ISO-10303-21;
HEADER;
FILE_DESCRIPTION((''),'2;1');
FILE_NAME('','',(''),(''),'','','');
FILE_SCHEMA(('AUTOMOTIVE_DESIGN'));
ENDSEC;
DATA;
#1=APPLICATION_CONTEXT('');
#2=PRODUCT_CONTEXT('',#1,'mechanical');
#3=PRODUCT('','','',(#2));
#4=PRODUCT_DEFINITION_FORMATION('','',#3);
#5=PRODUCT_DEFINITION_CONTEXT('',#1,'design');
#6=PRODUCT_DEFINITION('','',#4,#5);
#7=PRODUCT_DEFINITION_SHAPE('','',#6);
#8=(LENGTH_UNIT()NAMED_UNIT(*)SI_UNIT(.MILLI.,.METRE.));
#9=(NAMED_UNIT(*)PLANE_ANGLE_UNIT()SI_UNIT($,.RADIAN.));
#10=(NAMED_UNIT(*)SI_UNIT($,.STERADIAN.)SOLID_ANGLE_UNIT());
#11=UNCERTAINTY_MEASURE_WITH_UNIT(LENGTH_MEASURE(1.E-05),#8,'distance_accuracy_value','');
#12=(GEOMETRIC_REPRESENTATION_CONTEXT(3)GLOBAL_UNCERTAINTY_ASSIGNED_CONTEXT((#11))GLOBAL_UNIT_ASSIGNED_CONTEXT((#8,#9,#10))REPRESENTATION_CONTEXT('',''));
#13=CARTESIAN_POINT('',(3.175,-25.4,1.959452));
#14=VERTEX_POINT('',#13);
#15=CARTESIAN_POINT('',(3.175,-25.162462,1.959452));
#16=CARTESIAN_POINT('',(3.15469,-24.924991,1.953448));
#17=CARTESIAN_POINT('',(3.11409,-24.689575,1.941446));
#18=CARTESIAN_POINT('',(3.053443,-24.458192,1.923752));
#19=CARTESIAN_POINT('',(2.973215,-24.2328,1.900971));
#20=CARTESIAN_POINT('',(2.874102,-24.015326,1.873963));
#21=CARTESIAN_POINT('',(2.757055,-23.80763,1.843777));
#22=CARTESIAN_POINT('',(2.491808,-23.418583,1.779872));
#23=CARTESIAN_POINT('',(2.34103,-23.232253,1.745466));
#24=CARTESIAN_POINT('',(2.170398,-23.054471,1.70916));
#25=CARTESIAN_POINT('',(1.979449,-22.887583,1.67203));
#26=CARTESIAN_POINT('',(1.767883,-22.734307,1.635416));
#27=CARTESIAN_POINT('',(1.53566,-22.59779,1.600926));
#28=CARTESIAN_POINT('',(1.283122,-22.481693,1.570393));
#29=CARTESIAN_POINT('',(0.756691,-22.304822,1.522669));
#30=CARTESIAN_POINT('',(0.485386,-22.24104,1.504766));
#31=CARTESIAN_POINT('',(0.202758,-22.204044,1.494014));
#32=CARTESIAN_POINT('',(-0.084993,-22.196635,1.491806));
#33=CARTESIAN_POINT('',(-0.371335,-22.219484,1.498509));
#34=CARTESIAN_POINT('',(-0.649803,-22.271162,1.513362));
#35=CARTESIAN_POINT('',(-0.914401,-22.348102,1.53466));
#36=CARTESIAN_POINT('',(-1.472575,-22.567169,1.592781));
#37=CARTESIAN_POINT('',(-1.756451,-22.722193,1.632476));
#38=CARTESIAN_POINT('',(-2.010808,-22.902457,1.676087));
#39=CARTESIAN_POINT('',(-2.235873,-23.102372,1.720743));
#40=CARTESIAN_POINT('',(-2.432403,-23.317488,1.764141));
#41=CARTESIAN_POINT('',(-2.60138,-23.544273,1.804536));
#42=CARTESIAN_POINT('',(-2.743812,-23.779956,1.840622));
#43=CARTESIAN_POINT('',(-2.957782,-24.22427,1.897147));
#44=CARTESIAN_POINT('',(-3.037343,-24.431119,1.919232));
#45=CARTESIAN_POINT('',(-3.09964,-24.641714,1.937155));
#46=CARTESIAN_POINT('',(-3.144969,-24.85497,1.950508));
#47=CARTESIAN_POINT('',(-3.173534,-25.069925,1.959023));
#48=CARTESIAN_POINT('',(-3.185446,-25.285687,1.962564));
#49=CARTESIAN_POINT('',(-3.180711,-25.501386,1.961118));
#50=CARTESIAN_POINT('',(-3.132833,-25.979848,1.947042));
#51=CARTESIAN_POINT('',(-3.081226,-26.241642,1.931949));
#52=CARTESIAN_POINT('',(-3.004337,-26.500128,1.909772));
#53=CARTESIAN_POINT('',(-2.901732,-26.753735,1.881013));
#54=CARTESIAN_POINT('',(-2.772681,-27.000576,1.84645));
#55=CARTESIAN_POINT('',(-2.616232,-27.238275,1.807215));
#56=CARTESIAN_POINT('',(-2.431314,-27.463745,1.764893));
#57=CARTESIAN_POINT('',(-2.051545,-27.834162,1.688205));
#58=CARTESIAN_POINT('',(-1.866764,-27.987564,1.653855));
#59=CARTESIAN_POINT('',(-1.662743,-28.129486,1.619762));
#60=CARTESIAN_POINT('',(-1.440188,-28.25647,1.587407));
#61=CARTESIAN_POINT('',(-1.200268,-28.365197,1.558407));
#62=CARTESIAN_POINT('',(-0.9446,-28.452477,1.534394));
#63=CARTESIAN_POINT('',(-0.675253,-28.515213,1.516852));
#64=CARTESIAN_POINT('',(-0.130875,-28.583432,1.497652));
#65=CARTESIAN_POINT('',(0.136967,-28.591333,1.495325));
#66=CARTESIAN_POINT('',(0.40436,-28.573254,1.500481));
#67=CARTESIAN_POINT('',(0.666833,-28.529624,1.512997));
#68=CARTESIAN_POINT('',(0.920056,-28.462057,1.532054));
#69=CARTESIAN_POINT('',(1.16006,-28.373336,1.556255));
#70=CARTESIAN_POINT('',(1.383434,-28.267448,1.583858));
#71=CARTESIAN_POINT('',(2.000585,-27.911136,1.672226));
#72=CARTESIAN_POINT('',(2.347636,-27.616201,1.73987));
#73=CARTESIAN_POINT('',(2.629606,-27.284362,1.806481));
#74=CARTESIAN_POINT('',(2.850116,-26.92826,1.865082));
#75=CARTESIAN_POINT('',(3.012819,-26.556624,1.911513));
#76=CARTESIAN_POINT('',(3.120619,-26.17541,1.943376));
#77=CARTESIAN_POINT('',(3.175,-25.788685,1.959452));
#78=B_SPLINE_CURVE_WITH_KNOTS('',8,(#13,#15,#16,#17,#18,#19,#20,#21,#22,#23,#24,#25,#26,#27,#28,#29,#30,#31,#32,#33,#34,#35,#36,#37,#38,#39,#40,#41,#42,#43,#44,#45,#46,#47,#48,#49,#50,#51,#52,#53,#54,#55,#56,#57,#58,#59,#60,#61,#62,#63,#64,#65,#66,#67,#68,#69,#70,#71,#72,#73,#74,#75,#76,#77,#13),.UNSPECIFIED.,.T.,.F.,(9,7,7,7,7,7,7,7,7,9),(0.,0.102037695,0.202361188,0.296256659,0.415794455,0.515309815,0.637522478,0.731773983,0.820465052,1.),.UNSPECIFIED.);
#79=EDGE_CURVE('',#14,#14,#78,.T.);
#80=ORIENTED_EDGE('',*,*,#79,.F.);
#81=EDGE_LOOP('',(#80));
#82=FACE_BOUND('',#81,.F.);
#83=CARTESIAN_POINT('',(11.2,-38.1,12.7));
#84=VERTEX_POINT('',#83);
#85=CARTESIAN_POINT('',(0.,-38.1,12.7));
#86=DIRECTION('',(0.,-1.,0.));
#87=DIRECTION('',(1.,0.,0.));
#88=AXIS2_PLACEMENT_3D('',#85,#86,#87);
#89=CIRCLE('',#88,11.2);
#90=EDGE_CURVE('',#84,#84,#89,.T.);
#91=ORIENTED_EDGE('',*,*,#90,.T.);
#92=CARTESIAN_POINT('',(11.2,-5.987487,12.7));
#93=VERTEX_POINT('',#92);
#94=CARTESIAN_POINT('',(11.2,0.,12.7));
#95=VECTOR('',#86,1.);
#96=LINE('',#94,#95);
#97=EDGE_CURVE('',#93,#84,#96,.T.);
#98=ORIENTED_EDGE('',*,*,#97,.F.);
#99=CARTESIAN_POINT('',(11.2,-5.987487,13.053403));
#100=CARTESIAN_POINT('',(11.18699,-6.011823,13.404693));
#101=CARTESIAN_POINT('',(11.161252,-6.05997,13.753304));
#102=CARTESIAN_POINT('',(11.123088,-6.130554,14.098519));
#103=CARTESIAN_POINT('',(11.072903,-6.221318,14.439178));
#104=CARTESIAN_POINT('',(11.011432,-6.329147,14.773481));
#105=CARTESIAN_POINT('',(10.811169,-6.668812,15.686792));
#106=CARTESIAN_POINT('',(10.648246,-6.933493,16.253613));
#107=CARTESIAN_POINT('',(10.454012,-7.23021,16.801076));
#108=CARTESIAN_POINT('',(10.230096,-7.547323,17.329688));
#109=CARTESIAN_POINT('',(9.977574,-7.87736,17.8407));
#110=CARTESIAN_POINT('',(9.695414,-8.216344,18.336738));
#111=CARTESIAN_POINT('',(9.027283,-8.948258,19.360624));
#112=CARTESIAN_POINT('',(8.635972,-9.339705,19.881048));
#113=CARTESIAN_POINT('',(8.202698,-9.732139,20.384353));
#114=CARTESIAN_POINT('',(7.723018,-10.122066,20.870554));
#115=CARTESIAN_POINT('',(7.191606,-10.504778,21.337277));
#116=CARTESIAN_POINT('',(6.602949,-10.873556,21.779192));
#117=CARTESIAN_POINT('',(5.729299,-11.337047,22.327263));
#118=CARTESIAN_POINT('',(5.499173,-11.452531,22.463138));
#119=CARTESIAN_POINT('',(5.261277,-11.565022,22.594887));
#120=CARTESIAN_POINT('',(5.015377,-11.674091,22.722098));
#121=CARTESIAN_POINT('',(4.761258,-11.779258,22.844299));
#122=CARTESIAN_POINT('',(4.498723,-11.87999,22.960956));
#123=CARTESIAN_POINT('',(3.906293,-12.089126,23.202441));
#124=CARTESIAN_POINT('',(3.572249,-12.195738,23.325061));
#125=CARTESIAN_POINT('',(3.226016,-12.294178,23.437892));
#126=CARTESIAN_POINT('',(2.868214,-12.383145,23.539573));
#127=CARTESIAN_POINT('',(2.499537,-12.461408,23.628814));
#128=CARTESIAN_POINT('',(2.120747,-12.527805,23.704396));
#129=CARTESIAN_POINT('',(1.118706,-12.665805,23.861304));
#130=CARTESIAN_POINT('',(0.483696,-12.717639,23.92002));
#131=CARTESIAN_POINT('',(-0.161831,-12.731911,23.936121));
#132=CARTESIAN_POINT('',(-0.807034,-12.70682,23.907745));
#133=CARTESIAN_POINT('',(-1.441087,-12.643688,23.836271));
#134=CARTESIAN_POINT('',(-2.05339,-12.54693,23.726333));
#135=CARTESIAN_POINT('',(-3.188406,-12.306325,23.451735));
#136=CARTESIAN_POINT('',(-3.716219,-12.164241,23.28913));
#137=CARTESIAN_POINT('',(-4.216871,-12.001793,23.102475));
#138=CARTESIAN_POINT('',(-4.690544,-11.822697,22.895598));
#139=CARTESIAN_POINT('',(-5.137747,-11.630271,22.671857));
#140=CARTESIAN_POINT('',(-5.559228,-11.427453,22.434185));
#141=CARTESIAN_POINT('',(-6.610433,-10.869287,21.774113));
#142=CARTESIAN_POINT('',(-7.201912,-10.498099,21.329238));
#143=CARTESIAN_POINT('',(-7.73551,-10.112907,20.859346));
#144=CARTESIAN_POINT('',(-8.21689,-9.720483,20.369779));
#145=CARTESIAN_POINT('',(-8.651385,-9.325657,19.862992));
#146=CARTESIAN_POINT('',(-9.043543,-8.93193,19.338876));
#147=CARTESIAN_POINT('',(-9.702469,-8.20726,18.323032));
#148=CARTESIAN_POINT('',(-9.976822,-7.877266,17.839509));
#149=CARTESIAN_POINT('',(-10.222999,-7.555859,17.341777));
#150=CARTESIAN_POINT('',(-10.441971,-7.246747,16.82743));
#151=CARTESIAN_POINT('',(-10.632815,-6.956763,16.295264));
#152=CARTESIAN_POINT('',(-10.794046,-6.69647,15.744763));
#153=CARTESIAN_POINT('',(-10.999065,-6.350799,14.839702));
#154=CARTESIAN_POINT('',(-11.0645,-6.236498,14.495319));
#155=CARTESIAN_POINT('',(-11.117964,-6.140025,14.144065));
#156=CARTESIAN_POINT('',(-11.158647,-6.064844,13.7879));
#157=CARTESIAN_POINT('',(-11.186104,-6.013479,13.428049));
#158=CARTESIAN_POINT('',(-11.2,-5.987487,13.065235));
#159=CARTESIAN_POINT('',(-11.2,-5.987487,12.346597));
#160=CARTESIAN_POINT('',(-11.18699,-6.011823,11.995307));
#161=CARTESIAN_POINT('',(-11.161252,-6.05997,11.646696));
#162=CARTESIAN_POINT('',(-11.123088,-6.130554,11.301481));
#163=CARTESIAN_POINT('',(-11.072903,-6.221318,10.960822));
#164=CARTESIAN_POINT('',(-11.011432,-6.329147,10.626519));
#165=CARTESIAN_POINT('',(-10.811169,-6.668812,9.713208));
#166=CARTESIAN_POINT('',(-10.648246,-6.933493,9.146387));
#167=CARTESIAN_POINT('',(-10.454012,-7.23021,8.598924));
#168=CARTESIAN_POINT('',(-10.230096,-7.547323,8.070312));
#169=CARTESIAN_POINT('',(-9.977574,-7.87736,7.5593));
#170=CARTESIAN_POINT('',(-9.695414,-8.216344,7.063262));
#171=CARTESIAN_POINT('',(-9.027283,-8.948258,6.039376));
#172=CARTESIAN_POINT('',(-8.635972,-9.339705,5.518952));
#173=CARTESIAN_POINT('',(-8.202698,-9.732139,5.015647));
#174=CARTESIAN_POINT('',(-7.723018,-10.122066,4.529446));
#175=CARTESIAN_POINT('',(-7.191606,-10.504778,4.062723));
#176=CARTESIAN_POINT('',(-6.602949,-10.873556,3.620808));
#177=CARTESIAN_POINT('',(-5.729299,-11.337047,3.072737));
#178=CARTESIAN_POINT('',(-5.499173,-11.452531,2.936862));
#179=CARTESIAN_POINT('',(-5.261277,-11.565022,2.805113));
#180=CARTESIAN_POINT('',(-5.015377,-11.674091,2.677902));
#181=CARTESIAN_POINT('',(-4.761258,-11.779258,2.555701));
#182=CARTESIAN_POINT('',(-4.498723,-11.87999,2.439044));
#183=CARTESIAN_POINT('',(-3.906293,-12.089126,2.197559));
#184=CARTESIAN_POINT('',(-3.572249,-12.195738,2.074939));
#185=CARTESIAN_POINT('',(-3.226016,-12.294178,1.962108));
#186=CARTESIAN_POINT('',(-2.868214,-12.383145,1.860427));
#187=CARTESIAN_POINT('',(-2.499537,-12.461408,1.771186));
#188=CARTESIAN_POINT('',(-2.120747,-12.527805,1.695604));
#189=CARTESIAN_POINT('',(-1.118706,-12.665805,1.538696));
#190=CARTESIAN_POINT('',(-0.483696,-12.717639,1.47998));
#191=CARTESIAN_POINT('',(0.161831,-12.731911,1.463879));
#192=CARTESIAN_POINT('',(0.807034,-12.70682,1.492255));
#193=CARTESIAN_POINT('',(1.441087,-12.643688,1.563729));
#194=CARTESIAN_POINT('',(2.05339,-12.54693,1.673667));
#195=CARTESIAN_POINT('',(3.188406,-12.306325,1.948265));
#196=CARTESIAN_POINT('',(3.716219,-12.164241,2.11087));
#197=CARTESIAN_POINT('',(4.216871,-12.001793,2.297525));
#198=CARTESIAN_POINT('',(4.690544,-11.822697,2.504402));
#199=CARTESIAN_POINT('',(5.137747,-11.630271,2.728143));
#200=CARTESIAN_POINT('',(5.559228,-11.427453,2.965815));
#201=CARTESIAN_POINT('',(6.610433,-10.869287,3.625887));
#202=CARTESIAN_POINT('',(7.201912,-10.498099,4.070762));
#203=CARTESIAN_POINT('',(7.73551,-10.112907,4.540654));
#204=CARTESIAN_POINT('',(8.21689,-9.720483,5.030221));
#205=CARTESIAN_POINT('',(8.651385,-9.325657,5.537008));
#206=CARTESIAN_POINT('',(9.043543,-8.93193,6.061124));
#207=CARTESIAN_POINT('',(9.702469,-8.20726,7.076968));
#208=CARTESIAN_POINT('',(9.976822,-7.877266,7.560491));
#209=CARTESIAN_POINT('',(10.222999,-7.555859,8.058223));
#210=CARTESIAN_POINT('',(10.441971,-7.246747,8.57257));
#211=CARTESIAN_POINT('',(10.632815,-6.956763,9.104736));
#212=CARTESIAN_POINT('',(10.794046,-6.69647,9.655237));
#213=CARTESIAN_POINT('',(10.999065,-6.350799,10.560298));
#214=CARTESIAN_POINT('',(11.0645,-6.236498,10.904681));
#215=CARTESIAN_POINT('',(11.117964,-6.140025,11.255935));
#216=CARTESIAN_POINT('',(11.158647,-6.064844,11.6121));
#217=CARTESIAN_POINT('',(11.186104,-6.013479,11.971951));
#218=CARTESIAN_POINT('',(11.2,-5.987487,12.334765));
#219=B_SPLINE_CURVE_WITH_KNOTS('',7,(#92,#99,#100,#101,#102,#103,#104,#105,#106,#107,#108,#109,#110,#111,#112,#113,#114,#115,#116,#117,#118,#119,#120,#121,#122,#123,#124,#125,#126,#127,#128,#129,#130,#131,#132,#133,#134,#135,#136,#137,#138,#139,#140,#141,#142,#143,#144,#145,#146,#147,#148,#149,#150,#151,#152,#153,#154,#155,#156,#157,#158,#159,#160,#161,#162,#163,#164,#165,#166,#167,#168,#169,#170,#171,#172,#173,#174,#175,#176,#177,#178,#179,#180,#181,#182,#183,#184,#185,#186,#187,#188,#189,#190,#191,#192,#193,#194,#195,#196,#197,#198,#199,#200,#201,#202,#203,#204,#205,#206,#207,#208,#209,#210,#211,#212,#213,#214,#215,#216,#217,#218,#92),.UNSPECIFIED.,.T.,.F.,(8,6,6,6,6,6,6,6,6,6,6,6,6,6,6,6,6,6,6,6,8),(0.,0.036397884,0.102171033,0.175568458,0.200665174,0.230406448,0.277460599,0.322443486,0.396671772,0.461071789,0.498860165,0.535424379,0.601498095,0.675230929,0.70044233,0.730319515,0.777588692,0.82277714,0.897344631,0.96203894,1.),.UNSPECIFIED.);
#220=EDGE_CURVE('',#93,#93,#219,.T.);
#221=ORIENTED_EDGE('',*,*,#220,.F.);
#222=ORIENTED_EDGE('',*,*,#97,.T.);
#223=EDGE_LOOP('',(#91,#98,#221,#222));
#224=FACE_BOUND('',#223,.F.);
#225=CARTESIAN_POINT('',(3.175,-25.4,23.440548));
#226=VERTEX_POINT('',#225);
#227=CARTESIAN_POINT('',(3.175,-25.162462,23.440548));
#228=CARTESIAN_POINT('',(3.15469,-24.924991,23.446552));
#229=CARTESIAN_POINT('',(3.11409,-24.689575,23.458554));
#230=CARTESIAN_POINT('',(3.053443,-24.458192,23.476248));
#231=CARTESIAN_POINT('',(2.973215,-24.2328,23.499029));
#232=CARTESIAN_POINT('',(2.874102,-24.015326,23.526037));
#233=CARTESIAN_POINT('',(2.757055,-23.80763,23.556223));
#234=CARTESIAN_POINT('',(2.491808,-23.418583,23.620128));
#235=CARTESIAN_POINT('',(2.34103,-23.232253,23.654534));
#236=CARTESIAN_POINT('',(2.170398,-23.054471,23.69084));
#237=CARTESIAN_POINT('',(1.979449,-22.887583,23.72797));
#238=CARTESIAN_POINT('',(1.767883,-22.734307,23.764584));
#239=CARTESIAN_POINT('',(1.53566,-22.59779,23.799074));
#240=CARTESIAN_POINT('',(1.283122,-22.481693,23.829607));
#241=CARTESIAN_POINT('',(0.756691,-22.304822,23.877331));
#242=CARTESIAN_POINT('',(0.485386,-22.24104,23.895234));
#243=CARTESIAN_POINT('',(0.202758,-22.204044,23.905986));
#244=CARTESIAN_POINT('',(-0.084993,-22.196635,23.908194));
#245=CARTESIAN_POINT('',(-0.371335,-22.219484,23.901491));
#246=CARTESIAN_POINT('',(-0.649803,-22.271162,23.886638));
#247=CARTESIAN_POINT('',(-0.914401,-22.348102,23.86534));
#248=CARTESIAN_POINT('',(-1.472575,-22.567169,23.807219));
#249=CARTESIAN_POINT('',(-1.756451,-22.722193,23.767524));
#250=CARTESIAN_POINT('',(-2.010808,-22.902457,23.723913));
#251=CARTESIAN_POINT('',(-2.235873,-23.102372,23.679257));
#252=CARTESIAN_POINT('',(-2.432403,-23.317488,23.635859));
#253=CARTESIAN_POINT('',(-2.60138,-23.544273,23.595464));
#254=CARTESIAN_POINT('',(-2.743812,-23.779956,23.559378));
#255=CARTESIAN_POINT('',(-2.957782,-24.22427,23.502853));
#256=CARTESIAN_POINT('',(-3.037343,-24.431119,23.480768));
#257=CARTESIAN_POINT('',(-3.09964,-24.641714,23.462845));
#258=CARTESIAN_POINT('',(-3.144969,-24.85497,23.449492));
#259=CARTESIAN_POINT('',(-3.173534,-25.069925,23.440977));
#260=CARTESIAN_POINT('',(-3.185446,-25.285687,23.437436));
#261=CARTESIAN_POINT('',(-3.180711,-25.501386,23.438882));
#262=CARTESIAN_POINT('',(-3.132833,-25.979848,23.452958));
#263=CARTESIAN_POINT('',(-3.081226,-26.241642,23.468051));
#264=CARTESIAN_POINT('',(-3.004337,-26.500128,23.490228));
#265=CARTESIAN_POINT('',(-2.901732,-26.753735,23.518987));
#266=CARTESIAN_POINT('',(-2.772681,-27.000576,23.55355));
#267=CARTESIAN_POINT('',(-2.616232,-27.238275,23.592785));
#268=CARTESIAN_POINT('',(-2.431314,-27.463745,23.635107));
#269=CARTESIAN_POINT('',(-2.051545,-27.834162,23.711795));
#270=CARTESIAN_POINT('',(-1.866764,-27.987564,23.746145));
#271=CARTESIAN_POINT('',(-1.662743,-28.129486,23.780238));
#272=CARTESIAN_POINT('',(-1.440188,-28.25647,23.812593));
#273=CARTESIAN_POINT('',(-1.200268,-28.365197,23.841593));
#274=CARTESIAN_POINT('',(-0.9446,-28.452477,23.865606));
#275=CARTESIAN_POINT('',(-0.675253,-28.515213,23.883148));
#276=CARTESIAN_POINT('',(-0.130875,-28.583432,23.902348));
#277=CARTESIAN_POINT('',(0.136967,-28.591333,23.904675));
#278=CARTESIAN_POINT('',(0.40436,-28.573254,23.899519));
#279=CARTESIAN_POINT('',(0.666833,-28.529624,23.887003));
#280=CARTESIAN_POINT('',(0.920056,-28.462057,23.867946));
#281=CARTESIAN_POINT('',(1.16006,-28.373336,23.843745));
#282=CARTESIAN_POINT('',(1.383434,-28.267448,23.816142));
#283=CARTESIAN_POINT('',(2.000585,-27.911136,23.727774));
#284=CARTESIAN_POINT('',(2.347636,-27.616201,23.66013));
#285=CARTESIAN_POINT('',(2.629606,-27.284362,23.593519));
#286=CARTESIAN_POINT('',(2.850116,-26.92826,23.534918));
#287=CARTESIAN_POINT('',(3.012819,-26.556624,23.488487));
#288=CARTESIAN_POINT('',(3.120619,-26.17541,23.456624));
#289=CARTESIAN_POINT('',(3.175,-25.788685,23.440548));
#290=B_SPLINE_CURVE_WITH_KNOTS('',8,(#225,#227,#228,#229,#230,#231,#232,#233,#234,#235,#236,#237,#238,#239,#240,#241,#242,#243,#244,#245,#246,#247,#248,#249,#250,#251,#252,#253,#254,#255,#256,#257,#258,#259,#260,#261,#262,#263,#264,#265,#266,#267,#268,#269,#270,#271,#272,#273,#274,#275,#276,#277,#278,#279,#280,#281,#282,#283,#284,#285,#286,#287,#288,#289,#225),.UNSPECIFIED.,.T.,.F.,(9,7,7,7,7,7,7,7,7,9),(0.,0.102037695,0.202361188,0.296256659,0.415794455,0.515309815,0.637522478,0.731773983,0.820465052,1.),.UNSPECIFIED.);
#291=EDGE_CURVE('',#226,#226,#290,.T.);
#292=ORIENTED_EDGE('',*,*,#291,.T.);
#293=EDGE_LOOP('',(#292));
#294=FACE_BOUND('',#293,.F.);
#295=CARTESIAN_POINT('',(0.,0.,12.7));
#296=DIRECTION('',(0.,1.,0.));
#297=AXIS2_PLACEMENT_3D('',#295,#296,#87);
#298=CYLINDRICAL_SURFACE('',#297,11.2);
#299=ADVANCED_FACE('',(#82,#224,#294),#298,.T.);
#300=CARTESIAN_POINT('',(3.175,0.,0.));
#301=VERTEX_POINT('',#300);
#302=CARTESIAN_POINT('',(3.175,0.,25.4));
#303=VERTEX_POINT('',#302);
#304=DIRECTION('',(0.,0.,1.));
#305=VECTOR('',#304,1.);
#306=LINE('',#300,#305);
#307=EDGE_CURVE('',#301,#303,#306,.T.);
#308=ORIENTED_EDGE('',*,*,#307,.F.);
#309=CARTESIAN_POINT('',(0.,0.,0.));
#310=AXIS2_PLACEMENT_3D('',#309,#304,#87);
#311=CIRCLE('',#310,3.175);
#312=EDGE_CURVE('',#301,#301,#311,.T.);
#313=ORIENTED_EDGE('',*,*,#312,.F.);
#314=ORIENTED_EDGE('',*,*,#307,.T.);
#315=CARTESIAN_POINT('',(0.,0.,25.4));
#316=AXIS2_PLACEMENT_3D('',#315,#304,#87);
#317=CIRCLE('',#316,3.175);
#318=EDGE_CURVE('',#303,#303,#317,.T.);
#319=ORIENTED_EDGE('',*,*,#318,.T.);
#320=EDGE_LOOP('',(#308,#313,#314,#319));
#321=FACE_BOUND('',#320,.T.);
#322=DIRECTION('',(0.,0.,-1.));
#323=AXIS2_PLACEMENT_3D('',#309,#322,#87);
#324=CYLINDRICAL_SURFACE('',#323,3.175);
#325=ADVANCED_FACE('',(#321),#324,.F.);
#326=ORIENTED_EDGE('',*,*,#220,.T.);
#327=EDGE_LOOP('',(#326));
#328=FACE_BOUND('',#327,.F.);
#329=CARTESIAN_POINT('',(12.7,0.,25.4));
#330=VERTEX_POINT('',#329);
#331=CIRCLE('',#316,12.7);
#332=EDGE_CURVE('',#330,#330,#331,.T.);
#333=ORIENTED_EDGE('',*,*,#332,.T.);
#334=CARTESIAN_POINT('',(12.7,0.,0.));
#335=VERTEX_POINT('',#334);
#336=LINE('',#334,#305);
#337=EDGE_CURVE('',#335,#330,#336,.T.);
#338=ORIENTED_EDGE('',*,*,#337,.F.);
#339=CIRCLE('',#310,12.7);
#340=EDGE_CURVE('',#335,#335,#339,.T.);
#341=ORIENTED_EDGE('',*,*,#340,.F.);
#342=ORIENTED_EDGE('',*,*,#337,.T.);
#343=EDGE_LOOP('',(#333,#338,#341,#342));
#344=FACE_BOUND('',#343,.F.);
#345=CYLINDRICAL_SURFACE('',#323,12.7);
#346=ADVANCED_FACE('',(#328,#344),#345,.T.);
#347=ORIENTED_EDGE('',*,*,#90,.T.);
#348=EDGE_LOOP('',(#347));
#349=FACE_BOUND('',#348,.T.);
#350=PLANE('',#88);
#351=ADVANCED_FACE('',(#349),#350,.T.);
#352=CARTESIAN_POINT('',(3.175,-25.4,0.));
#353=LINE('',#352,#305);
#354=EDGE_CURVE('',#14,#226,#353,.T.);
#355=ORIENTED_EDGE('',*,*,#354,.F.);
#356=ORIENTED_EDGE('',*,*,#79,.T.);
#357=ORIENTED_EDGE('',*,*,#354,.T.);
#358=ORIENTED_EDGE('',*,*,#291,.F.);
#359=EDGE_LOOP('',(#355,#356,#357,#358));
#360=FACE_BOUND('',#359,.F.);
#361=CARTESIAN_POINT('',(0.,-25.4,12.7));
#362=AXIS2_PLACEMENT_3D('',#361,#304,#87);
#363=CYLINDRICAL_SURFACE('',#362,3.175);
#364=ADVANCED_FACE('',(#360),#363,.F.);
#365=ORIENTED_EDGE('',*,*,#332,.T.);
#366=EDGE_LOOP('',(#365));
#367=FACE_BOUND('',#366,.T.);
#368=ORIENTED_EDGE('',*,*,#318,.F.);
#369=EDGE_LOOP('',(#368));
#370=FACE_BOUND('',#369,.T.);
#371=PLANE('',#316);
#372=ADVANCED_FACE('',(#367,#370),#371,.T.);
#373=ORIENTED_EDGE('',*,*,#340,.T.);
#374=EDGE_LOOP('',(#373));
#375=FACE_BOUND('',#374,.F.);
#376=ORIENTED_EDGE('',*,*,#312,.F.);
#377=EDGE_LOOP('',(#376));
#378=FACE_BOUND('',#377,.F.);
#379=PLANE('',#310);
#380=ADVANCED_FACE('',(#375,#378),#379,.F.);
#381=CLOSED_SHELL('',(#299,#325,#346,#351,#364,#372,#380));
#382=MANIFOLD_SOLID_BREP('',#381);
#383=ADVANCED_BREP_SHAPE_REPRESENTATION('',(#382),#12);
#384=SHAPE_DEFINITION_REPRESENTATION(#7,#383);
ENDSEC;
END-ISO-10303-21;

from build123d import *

# Parameters (mm, degrees)
F0_R          = 12.7
F1_DEPTH      = 25.4
F2_R          = 11.2
F3_DEPTH      = 38.1
F4_R          = 3.175
F5_DEPTH      = 25.4
F5_DEPTH_BACK = 25.4
F7_R          = 3.175
F8_DEPTH      = 12.7


with BuildPart() as f1:
    # F0 (on Top) → F1 (new body)
    with BuildSketch(Plane.XY):
        Circle(F0_R)
    extrude(amount=F1_DEPTH)

    # F2 (on Front) → F3 (join)
    with BuildSketch(Plane.XZ):
        with Locations((0, 12.7)):
            Circle(F2_R)
    extrude(amount=F3_DEPTH)

    # F4 (on Top) → F5 (cut, two sides)
    with BuildSketch(Plane.XY) as f5_sk:
        Circle(F4_R)
    extrude(amount=-F5_DEPTH, mode=Mode.SUBTRACT)
    extrude(f5_sk.sketch, amount=F5_DEPTH_BACK, mode=Mode.SUBTRACT)

    # F7 (on offset) → F8 (cut, symmetric)
    with BuildSketch(Plane.XY.offset(12.7)):
        with Locations((0, -25.4)):
            Circle(F7_R)
    extrude(amount=F8_DEPTH, both=True, mode=Mode.SUBTRACT)


solid = f1.part
